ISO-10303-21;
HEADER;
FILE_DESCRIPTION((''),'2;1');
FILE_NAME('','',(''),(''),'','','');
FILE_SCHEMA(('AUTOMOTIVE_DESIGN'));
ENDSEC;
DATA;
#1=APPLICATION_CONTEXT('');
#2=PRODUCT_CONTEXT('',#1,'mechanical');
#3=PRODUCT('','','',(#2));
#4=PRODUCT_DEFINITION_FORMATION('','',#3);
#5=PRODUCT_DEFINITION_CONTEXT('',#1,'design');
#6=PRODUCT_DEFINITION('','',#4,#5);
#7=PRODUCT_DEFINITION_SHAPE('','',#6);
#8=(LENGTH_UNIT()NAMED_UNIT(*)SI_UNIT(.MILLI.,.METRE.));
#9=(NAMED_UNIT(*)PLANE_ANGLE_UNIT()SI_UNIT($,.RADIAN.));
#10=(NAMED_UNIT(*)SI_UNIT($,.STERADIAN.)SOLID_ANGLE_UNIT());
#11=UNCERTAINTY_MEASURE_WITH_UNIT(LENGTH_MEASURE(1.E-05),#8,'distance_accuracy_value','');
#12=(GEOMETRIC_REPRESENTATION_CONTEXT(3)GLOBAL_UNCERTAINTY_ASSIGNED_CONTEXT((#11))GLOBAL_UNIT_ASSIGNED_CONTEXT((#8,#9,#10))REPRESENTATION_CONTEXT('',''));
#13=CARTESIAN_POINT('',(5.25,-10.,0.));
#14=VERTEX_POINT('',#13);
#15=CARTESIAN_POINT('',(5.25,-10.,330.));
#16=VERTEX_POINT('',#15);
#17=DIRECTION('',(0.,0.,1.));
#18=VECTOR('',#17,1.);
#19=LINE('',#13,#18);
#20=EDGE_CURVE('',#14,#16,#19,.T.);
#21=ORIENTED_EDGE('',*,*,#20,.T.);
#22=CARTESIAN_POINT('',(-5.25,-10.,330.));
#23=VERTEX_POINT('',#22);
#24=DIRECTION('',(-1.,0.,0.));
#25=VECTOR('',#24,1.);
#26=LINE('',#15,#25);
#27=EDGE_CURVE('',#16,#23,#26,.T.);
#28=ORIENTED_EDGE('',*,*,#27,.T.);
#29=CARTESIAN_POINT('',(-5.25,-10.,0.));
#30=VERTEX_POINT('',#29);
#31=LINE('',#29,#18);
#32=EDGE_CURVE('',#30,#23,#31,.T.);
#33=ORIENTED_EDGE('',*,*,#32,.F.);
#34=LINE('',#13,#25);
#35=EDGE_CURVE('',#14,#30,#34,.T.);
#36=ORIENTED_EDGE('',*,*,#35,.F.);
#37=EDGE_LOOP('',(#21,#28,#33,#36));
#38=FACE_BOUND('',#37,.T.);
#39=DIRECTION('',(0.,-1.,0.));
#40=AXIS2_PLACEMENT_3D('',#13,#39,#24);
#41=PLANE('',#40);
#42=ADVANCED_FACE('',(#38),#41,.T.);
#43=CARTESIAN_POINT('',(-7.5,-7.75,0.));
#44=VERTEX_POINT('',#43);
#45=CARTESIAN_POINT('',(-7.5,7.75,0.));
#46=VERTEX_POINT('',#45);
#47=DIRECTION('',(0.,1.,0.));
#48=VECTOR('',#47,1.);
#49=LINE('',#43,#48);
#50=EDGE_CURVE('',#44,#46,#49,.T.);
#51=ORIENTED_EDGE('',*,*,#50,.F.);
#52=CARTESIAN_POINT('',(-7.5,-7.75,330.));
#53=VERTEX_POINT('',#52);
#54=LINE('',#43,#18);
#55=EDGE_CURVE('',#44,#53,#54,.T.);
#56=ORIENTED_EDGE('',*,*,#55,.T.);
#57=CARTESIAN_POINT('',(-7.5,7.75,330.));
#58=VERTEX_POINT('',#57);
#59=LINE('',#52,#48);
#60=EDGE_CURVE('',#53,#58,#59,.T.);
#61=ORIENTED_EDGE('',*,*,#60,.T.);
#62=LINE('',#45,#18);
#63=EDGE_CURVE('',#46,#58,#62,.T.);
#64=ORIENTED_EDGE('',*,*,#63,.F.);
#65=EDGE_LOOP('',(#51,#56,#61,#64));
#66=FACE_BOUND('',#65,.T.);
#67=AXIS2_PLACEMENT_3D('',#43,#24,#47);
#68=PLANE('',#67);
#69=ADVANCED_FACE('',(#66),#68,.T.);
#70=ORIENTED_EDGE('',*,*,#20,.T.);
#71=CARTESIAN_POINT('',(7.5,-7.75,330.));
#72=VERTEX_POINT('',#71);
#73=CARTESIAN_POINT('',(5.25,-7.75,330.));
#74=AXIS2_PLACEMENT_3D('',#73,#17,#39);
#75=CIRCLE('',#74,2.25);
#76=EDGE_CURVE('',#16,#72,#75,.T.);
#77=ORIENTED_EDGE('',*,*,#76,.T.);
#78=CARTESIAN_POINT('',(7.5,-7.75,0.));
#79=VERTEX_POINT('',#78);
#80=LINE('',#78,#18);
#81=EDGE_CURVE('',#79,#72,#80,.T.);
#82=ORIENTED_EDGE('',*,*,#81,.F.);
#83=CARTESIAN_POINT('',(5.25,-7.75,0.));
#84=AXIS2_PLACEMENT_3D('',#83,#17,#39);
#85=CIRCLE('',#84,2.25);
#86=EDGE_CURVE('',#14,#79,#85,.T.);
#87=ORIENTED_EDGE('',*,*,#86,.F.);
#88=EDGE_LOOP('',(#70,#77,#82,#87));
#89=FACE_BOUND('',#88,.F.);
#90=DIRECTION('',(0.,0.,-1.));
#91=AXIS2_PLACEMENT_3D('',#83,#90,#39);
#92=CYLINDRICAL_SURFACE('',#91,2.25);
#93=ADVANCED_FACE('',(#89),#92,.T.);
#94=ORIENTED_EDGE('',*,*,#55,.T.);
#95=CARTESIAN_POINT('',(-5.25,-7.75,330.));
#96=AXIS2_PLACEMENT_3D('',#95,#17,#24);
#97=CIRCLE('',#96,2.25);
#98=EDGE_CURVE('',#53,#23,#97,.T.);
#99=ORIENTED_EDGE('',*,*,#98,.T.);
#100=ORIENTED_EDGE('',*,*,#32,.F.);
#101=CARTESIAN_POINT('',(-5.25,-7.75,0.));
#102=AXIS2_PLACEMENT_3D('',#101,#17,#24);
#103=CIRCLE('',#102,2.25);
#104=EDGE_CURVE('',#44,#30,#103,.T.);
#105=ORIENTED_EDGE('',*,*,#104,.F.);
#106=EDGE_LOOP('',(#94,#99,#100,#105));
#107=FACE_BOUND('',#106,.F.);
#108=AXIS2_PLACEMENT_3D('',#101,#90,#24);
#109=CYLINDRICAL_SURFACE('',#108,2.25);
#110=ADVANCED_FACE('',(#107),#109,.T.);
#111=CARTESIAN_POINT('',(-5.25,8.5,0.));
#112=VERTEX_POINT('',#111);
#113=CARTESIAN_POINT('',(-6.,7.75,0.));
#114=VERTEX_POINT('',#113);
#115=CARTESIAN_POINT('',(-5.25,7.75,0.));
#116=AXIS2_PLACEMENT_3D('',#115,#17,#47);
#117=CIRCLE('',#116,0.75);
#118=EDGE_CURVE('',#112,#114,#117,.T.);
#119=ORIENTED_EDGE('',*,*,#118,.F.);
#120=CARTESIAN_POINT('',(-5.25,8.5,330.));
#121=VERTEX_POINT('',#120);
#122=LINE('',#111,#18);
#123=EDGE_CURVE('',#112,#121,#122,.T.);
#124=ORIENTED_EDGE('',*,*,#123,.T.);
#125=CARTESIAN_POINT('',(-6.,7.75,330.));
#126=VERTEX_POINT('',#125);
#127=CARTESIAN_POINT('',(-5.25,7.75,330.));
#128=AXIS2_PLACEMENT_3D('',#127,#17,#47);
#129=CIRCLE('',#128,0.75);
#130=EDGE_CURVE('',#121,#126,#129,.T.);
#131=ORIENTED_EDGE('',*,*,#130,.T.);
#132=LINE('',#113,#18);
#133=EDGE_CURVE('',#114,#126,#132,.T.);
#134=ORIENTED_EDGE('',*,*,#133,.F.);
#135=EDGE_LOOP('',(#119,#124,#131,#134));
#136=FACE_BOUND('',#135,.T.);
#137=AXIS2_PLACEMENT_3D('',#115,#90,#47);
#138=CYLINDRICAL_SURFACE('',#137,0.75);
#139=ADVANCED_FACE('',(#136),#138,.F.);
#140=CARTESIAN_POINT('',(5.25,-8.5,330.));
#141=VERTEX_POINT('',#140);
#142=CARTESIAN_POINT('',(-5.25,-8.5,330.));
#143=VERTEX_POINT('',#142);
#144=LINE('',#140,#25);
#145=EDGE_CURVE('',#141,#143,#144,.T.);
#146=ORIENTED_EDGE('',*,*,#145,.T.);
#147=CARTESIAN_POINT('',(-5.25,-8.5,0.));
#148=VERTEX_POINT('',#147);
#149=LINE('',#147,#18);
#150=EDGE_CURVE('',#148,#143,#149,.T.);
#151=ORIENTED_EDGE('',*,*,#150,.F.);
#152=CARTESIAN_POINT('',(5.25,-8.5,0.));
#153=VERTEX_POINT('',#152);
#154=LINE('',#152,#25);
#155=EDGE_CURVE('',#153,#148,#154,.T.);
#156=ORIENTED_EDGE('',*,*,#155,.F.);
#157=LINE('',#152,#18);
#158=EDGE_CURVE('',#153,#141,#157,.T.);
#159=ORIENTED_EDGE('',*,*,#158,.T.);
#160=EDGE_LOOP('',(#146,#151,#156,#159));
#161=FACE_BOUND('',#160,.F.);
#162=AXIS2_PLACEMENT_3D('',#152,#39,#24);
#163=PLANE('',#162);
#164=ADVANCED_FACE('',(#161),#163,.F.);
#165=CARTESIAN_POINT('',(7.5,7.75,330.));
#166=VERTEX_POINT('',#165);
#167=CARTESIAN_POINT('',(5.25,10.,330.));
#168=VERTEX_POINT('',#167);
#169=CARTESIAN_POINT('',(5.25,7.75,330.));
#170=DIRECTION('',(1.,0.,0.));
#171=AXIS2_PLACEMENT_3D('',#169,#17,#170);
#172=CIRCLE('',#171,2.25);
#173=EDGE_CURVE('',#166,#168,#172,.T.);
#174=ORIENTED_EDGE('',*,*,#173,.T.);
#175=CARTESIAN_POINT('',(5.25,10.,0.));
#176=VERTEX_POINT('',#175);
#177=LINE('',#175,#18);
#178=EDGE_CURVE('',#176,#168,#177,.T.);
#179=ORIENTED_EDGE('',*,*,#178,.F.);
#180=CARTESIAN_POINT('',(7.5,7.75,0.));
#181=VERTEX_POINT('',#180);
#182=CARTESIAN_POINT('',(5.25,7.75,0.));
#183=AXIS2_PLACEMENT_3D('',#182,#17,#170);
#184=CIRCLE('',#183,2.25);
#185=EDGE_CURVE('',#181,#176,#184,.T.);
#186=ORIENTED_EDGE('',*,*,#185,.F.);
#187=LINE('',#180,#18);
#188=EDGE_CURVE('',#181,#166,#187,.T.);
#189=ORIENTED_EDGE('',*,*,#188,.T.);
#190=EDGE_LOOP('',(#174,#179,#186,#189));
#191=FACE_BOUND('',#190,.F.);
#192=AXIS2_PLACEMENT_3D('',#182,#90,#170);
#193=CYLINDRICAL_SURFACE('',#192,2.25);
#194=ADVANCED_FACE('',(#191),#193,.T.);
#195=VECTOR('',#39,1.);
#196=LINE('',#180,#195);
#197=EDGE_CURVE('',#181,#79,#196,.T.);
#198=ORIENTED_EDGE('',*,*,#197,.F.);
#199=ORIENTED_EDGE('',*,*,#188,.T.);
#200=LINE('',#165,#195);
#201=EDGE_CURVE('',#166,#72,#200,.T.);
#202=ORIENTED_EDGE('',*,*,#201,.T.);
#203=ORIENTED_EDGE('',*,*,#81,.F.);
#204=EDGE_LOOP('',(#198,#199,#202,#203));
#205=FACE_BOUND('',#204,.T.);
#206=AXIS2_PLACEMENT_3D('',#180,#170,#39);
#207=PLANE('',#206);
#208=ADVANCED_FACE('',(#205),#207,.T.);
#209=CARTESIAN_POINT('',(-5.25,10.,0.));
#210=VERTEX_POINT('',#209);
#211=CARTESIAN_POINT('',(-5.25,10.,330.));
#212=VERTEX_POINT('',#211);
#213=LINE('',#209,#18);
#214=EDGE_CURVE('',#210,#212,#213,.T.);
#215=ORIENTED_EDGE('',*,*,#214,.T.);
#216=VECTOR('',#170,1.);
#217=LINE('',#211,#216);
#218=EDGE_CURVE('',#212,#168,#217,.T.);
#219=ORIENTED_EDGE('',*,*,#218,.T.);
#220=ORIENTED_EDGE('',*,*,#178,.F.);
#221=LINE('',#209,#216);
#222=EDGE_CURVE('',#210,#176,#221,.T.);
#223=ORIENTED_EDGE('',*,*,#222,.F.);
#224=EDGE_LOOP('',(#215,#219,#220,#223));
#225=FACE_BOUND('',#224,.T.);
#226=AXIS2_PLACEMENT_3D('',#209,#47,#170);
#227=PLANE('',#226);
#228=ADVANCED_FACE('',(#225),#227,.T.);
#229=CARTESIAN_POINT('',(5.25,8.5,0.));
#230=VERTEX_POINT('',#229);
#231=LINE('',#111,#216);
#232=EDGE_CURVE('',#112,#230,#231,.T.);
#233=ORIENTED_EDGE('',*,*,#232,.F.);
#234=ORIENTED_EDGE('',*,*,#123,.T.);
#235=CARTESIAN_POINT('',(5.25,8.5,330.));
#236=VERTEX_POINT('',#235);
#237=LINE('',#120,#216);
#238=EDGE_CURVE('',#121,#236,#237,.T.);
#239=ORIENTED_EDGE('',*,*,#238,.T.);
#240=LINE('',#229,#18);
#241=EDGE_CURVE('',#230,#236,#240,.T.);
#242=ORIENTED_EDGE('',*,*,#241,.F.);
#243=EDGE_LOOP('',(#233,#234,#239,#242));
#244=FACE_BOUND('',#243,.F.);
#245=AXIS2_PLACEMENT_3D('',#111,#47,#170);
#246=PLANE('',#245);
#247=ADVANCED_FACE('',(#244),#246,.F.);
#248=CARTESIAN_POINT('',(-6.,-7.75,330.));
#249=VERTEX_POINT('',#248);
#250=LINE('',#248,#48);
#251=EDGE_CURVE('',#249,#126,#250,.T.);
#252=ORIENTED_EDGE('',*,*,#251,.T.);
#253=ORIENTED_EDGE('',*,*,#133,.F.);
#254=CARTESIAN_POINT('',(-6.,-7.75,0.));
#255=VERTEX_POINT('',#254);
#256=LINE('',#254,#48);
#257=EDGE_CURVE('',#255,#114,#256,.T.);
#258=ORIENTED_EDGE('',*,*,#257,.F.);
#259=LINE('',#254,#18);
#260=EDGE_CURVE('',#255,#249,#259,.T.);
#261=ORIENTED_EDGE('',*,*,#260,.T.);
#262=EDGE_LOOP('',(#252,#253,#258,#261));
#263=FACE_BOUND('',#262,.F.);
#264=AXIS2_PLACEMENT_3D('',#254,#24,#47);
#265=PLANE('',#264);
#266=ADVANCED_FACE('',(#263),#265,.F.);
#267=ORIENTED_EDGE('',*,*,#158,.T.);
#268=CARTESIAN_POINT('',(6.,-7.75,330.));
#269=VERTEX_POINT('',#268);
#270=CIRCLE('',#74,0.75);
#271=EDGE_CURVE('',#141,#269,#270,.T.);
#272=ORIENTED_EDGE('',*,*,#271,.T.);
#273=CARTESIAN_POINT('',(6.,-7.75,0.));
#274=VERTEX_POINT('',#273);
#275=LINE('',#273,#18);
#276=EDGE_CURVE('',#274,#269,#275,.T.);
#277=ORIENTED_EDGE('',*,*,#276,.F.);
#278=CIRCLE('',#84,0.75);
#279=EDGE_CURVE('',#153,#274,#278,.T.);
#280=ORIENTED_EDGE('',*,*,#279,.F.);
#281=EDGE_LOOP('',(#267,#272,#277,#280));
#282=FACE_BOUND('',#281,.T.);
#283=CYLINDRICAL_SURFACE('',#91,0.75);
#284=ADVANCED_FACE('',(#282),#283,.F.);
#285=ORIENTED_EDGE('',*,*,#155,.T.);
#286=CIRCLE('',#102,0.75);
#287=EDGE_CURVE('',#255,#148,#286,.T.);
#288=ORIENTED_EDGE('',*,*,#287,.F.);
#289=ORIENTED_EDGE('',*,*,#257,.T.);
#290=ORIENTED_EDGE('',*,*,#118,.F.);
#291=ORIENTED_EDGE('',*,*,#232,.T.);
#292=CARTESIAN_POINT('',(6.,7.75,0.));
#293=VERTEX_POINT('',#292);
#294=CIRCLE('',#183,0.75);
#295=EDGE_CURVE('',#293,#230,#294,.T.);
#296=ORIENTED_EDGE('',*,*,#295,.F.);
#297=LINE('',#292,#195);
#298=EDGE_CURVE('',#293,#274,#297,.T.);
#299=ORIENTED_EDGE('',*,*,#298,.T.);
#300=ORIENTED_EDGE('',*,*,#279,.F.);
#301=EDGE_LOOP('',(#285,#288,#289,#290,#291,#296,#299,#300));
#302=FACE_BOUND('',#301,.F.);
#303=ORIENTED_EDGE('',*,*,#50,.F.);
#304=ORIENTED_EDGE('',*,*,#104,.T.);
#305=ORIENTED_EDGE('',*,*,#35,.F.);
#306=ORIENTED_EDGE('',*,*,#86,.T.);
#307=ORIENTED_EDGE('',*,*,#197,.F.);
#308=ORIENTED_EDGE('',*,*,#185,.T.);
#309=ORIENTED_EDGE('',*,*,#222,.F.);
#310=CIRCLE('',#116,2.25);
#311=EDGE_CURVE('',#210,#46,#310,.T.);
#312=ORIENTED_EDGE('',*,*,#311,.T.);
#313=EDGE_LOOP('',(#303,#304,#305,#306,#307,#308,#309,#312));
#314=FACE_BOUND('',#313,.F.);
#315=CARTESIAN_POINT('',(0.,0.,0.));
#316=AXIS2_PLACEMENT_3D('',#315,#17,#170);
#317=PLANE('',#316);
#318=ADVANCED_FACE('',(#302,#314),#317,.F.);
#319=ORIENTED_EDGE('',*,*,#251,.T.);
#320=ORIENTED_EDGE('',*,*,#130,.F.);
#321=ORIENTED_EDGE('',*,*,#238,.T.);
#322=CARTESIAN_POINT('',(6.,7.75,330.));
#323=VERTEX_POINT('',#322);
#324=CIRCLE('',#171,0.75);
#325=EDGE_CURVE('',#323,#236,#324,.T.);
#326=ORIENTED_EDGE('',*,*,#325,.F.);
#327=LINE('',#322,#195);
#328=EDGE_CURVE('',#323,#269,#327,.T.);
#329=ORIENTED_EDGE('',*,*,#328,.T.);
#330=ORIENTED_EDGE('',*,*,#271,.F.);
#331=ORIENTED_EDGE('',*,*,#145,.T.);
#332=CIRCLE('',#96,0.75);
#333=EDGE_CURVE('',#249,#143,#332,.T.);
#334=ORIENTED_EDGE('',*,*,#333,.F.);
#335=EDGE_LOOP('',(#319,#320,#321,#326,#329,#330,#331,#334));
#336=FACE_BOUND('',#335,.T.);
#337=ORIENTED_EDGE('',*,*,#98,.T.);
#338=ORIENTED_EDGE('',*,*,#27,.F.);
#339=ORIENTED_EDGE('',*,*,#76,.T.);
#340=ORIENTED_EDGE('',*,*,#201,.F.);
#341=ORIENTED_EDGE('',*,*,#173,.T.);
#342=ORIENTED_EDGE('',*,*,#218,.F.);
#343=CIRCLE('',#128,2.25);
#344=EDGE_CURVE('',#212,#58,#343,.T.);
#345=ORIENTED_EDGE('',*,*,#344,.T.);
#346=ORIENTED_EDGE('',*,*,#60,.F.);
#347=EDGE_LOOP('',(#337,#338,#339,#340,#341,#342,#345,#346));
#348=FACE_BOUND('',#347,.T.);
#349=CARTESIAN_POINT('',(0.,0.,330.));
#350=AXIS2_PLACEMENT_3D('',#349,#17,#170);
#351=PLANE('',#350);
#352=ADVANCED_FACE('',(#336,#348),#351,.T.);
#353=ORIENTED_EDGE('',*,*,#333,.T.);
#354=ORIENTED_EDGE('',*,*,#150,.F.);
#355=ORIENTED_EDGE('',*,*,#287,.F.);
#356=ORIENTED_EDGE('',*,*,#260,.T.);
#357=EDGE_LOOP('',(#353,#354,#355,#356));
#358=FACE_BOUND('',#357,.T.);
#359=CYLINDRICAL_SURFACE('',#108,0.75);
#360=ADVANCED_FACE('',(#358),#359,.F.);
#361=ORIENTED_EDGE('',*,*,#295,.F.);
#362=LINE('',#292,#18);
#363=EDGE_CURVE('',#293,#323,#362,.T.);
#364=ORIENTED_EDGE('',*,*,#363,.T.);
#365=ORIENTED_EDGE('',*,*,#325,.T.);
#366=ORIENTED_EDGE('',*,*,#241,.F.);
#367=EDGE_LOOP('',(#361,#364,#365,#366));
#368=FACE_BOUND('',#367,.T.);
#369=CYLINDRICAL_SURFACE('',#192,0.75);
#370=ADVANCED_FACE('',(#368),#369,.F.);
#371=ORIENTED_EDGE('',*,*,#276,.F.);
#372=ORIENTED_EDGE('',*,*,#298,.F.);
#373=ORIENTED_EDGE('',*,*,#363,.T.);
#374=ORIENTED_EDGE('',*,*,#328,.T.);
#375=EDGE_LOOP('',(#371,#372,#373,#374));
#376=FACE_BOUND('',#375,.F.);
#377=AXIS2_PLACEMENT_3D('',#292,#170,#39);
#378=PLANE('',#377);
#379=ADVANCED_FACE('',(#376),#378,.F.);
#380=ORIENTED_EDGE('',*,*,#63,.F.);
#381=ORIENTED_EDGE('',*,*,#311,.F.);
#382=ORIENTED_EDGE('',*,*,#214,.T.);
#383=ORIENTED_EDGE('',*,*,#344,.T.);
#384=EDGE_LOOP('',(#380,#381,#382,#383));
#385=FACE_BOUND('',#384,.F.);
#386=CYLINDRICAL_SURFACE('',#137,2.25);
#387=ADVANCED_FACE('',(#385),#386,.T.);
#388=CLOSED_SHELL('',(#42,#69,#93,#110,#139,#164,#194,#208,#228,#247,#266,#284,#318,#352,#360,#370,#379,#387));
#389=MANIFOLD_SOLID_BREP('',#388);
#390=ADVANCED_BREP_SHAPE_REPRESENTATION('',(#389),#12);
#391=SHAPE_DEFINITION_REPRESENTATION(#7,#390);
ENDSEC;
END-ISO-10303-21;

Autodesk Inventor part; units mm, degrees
ref_plane "Start plane" through (0, 0, 0) normal (0, 0, 1) x (1, 0, 0)
ref_plane "End plane" through (0, 0, 330) normal (0, 0, 1) x (1, 0, 0)
sketch "Sketch" plane through (0, 0, 0) normal (0, 0, 1) x (1, 0, 0)
  line L0 (-7.5, -7.75) -> (-7.5, 7.75)
  line L1 (-5.25, 10) -> (5.25, 10)
  line L2 (7.5, 7.75) -> (7.5, -7.75)
  line L3 (5.25, -10) -> (-5.25, -10)
  arc A0 (-7.5, -7.75) -> (-5.25, -10) centre (-5.25, -7.75) ccw
  arc A1 (-5.25, 10) -> (-7.5, 7.75) centre (-5.25, 7.75) ccw
  arc A2 (7.5, 7.75) -> (5.25, 10) centre (5.25, 7.75) ccw
  arc A3 (5.25, -10) -> (7.5, -7.75) centre (5.25, -7.75) ccw
  arc A4 (-5.25, 8.5) -> (-6, 7.75) centre (-5.25, 7.75) ccw
  line L4 (-5.25, 8.5) -> (5.25, 8.5)
  arc A5 (6, 7.75) -> (5.25, 8.5) centre (5.25, 7.75) ccw
  line L5 (6, 7.75) -> (6, -7.75)
  arc A6 (5.25, -8.5) -> (6, -7.75) centre (5.25, -7.75) ccw
  line L6 (5.25, -8.5) -> (-5.25, -8.5)
  arc A7 (-6, -7.75) -> (-5.25, -8.5) centre (-5.25, -7.75) ccw
  line L7 (-6, -7.75) -> (-6, 7.75)
  line L8 (0, 14.6524) -> (0, -14.6524) construction
  line L9 (-11.5592, 0) -> (13.5932, 0) construction
  dimension "d7" = 2.25
  dimension "d10" = 20
  dimension "d11" = 15
  dimension "d12" = 1.5
  dimension "d15" = 10
  dimension "d16" = 7.5
extrude "Body" add sketch "Sketch" along normal up to surface (330 mm away) from surface at 0
sketch "Sketch3" plane through (0, 0, 0) normal (0, 0, 1) x (1, 0, 0)
  line L0 (0, 0) -> (10, 0)
ref_plane "Work Plane3" through (0, 0, 0) normal (0, -1, 0) x (1, 0, 0)
sketch "Sketch4" plane through (0, 0, 0) normal (0, -1, 0) x (1, 0, 0)
  line L0 (-2, 0) -> (12, 0)
  line L1 (-2, 330) -> (12, 330)
  dimension "d18" = 330
ref_plane "Work Plane4" through (-39.5, -55, 330) normal (0, 0, 1) x (1, 0, 0)
split "Split1" plane through (-39.5, -55, 330) removes the side toward (0, 0, 1)
ref_plane "Work Plane5" through (4.5, -55, 0) normal (0, 0, -1) x (-1, 0, 0)
split "Split2" plane through (4.5, -55, 0) removes the side toward (0, 0, -1)
equation "\"d7\" = G_IR"
equation "\"d10\" = G_H"
equation "\"d11\" = G_W"
equation "\"d12\" = G_T"
equation "\"d15\" = 0.5 * d10"
equation "\"d16\" = 0.5 * d11"
equation "\"d3\" = G_L"
equation "\"G_W\" = 15"
equation "\"G_H\" = 20"
equation "\"G_T\" = 1.5"
equation "\"G_IR\" = 2.25"
equation "\"G_L\" = d18"
equation "\"G_OFFSET_START\" = 0"
equation "\"G_OFFSET_END\" = -40"
equation "\"d14\" = G_OFFSET_END + B_L"
equation "\"B_L\" = 370"
properties part number "UNI EN 10305-5 - 20 x 15 x 1,5  - 330" material "Steel, Mild"
